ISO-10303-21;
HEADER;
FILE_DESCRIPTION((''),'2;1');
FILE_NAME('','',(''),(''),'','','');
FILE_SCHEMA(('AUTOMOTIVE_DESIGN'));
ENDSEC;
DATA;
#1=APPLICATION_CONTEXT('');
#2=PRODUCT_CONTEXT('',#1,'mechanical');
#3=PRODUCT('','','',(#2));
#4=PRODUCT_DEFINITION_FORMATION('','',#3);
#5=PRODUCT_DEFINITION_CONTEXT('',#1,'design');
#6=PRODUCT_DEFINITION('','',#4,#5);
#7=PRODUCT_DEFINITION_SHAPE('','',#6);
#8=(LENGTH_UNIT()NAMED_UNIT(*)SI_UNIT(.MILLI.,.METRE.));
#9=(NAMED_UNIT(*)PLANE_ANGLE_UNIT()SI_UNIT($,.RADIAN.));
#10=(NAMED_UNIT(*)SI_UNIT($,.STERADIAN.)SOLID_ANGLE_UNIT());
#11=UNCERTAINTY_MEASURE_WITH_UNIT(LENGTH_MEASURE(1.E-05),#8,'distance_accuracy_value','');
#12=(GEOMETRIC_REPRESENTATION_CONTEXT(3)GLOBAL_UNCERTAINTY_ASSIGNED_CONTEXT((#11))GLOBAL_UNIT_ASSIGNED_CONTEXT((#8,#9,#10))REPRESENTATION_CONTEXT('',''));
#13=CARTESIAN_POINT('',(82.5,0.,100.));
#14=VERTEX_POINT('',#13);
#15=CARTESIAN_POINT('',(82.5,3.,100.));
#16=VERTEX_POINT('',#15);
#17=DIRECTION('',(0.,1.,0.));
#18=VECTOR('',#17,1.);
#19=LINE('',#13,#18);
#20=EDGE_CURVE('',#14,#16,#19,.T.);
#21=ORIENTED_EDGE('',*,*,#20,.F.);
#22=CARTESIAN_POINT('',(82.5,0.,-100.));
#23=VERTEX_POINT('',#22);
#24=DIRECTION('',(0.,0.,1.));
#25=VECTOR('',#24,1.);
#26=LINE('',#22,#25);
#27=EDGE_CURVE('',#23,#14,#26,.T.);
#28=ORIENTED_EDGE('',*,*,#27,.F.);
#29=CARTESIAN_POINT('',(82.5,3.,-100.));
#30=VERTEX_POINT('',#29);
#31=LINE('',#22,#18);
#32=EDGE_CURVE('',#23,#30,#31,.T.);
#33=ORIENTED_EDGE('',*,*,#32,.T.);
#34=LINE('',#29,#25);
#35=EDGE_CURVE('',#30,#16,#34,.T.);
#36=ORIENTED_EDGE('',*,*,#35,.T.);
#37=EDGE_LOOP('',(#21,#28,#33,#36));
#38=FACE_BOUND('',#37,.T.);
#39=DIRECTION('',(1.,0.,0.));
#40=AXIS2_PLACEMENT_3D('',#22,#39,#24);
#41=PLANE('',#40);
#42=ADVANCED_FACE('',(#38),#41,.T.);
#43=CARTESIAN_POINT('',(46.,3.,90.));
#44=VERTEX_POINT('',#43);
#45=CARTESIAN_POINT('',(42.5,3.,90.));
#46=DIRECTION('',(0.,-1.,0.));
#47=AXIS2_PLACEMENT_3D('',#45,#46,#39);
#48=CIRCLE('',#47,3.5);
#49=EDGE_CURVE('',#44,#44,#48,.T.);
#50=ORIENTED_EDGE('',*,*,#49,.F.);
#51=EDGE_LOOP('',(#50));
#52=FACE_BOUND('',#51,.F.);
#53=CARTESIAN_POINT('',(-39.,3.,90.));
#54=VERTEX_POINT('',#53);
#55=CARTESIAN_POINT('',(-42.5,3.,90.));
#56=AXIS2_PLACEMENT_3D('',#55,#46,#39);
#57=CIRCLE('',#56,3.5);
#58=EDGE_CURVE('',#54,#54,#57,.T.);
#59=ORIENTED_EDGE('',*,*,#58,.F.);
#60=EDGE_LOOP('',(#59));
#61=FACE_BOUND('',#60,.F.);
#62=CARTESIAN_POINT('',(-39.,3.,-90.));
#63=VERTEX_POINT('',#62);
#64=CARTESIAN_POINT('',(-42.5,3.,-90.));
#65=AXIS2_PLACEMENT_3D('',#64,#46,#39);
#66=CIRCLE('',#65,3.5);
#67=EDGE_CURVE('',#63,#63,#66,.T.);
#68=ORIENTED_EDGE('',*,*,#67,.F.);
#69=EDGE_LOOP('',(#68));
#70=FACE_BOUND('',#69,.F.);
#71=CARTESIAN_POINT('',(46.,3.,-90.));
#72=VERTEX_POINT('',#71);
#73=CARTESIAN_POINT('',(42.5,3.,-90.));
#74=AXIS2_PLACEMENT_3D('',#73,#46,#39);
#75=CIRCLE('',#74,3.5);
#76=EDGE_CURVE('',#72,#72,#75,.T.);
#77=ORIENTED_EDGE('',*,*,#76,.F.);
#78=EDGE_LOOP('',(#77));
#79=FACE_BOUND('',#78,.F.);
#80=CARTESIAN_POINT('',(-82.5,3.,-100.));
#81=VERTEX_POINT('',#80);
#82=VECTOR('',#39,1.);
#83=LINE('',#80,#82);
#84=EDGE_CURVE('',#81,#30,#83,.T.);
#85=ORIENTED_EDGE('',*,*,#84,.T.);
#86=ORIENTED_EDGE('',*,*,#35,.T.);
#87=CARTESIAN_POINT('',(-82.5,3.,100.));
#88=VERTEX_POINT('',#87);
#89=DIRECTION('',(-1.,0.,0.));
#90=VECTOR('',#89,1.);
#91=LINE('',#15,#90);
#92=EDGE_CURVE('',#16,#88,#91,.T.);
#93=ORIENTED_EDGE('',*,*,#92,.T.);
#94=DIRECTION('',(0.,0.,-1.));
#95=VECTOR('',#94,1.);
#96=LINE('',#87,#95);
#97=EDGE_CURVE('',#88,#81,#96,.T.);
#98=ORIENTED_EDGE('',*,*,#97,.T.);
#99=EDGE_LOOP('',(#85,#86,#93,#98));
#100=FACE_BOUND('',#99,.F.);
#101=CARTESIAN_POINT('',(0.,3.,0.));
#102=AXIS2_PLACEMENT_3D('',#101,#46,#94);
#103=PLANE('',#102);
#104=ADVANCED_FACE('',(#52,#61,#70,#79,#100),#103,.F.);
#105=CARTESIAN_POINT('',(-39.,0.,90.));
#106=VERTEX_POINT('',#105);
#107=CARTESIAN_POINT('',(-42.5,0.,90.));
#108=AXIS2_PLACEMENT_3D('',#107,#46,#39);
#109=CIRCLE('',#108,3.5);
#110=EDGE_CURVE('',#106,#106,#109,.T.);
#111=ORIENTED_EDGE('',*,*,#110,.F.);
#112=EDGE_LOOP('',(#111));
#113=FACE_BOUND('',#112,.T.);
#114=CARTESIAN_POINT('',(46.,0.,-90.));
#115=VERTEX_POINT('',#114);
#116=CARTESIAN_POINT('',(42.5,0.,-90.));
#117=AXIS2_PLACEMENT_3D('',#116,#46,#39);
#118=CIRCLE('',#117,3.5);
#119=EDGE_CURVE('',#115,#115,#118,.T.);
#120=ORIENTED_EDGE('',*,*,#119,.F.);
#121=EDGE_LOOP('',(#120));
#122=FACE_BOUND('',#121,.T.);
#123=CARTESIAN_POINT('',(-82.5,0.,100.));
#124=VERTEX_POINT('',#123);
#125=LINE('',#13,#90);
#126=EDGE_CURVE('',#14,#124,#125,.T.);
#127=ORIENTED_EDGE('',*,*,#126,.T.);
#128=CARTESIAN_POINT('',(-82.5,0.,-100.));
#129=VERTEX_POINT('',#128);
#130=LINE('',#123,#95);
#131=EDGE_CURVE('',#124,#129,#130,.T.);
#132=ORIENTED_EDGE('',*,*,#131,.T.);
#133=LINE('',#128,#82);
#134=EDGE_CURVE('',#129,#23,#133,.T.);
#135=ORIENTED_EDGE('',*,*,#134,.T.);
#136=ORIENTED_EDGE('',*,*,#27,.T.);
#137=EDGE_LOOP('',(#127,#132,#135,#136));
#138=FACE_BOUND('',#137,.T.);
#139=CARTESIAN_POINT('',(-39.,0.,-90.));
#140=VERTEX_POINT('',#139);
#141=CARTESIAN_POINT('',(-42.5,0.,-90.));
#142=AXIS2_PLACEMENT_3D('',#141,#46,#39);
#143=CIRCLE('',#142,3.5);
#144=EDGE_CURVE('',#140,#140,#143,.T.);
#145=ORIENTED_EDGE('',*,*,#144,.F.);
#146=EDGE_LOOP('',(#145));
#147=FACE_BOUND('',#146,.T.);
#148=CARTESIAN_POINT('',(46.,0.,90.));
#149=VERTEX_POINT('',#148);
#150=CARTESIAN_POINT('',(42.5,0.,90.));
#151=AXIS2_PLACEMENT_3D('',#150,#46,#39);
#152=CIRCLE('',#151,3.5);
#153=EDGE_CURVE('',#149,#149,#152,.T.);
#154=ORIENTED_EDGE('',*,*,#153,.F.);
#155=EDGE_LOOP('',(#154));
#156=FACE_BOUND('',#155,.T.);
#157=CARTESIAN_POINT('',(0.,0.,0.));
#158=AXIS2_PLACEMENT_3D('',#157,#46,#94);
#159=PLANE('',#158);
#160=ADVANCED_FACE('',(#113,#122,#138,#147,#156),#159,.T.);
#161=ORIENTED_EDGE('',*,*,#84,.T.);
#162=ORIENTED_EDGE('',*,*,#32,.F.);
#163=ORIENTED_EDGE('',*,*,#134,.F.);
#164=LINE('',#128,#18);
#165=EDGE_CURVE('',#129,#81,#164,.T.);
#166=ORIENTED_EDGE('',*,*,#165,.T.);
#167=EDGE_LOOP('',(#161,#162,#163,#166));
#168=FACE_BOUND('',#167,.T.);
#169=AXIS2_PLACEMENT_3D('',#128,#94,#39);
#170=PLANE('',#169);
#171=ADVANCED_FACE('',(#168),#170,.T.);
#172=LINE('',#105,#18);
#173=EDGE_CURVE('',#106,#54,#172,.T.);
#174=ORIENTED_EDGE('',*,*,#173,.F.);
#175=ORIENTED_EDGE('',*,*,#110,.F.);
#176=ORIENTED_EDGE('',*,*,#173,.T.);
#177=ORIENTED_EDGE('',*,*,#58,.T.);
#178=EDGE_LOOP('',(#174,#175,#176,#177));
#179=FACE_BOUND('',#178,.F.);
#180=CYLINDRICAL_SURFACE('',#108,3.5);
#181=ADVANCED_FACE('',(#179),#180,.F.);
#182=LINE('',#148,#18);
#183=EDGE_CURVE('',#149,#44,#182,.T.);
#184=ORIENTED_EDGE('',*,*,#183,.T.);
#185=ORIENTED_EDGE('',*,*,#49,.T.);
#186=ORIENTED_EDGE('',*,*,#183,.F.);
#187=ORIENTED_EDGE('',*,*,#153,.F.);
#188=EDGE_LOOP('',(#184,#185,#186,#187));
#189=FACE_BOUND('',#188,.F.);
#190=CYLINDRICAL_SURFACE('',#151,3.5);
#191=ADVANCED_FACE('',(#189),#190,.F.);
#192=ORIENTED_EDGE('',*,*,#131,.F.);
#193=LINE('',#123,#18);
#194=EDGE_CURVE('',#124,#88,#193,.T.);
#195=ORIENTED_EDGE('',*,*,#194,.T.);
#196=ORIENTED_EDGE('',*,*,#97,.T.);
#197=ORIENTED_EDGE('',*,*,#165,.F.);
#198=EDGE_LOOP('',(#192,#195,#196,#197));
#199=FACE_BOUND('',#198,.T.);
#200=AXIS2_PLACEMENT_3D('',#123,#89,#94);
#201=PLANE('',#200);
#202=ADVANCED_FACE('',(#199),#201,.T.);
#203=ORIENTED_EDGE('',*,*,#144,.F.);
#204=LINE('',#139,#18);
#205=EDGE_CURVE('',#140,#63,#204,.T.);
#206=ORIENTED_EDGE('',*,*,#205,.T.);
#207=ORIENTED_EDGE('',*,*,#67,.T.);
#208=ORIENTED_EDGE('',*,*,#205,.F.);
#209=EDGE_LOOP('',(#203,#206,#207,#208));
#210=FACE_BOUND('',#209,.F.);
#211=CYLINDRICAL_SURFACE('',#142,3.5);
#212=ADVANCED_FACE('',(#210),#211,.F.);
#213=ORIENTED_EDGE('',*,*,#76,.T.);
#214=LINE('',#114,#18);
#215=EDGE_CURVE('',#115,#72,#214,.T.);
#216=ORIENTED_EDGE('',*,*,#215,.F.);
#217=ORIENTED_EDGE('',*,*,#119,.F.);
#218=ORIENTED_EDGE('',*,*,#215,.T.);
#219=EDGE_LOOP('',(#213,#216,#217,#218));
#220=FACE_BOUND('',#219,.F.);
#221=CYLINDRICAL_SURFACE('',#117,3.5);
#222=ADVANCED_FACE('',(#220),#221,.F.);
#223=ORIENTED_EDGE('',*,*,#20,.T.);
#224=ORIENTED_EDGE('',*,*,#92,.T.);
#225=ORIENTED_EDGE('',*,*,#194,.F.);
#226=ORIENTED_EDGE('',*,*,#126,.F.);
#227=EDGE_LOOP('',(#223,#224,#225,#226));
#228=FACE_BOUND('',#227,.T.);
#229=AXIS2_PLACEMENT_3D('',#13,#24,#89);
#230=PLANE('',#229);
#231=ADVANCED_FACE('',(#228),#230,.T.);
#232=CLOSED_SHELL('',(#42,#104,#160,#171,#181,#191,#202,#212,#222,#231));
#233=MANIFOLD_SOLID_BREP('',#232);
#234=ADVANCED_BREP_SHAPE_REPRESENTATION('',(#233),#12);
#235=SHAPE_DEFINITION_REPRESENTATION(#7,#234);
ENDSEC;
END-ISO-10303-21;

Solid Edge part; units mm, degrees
sketch "Sketch1" plane through (0, 0, 0) normal (0, -1, 0) x (1, 0, 0)
  line L0 (-82.5, -100) -> (82.5, -100)
  line L1 (82.5, -100) -> (82.5, 100)
  line L2 (82.5, 100) -> (-82.5, 100)
  line L3 (-82.5, 100) -> (-82.5, -100)
  dimension "D1" = 200
  dimension "D2" = 165
extrude "Protrusion1" add sketch "Sketch1" against normal blind 3
sketch "Sketch2" plane through (0, 0, 0) normal (0, -1, 0) x (1, 0, 0)
  circle A0 centre (-42.5, 90) radius 3.5
  circle A1 centre (42.5, 90) radius 3.5
  dimension "D1" = 85
  dimension "D2" = 10
  dimension "D3" = 7
extrude "Cutout1" cut sketch "Sketch2" against normal through all
sketch "Sketch3" plane through (0, 0, 0) normal (0, -1, 0) x (1, 0, 0)
  circle A0 centre (-42.5, -90) radius 3.5
  circle A1 centre (42.5, -90) radius 3.5
extrude "Cutout2" cut sketch "Sketch3" against normal through all
properties material "Nylon, allgemein"
